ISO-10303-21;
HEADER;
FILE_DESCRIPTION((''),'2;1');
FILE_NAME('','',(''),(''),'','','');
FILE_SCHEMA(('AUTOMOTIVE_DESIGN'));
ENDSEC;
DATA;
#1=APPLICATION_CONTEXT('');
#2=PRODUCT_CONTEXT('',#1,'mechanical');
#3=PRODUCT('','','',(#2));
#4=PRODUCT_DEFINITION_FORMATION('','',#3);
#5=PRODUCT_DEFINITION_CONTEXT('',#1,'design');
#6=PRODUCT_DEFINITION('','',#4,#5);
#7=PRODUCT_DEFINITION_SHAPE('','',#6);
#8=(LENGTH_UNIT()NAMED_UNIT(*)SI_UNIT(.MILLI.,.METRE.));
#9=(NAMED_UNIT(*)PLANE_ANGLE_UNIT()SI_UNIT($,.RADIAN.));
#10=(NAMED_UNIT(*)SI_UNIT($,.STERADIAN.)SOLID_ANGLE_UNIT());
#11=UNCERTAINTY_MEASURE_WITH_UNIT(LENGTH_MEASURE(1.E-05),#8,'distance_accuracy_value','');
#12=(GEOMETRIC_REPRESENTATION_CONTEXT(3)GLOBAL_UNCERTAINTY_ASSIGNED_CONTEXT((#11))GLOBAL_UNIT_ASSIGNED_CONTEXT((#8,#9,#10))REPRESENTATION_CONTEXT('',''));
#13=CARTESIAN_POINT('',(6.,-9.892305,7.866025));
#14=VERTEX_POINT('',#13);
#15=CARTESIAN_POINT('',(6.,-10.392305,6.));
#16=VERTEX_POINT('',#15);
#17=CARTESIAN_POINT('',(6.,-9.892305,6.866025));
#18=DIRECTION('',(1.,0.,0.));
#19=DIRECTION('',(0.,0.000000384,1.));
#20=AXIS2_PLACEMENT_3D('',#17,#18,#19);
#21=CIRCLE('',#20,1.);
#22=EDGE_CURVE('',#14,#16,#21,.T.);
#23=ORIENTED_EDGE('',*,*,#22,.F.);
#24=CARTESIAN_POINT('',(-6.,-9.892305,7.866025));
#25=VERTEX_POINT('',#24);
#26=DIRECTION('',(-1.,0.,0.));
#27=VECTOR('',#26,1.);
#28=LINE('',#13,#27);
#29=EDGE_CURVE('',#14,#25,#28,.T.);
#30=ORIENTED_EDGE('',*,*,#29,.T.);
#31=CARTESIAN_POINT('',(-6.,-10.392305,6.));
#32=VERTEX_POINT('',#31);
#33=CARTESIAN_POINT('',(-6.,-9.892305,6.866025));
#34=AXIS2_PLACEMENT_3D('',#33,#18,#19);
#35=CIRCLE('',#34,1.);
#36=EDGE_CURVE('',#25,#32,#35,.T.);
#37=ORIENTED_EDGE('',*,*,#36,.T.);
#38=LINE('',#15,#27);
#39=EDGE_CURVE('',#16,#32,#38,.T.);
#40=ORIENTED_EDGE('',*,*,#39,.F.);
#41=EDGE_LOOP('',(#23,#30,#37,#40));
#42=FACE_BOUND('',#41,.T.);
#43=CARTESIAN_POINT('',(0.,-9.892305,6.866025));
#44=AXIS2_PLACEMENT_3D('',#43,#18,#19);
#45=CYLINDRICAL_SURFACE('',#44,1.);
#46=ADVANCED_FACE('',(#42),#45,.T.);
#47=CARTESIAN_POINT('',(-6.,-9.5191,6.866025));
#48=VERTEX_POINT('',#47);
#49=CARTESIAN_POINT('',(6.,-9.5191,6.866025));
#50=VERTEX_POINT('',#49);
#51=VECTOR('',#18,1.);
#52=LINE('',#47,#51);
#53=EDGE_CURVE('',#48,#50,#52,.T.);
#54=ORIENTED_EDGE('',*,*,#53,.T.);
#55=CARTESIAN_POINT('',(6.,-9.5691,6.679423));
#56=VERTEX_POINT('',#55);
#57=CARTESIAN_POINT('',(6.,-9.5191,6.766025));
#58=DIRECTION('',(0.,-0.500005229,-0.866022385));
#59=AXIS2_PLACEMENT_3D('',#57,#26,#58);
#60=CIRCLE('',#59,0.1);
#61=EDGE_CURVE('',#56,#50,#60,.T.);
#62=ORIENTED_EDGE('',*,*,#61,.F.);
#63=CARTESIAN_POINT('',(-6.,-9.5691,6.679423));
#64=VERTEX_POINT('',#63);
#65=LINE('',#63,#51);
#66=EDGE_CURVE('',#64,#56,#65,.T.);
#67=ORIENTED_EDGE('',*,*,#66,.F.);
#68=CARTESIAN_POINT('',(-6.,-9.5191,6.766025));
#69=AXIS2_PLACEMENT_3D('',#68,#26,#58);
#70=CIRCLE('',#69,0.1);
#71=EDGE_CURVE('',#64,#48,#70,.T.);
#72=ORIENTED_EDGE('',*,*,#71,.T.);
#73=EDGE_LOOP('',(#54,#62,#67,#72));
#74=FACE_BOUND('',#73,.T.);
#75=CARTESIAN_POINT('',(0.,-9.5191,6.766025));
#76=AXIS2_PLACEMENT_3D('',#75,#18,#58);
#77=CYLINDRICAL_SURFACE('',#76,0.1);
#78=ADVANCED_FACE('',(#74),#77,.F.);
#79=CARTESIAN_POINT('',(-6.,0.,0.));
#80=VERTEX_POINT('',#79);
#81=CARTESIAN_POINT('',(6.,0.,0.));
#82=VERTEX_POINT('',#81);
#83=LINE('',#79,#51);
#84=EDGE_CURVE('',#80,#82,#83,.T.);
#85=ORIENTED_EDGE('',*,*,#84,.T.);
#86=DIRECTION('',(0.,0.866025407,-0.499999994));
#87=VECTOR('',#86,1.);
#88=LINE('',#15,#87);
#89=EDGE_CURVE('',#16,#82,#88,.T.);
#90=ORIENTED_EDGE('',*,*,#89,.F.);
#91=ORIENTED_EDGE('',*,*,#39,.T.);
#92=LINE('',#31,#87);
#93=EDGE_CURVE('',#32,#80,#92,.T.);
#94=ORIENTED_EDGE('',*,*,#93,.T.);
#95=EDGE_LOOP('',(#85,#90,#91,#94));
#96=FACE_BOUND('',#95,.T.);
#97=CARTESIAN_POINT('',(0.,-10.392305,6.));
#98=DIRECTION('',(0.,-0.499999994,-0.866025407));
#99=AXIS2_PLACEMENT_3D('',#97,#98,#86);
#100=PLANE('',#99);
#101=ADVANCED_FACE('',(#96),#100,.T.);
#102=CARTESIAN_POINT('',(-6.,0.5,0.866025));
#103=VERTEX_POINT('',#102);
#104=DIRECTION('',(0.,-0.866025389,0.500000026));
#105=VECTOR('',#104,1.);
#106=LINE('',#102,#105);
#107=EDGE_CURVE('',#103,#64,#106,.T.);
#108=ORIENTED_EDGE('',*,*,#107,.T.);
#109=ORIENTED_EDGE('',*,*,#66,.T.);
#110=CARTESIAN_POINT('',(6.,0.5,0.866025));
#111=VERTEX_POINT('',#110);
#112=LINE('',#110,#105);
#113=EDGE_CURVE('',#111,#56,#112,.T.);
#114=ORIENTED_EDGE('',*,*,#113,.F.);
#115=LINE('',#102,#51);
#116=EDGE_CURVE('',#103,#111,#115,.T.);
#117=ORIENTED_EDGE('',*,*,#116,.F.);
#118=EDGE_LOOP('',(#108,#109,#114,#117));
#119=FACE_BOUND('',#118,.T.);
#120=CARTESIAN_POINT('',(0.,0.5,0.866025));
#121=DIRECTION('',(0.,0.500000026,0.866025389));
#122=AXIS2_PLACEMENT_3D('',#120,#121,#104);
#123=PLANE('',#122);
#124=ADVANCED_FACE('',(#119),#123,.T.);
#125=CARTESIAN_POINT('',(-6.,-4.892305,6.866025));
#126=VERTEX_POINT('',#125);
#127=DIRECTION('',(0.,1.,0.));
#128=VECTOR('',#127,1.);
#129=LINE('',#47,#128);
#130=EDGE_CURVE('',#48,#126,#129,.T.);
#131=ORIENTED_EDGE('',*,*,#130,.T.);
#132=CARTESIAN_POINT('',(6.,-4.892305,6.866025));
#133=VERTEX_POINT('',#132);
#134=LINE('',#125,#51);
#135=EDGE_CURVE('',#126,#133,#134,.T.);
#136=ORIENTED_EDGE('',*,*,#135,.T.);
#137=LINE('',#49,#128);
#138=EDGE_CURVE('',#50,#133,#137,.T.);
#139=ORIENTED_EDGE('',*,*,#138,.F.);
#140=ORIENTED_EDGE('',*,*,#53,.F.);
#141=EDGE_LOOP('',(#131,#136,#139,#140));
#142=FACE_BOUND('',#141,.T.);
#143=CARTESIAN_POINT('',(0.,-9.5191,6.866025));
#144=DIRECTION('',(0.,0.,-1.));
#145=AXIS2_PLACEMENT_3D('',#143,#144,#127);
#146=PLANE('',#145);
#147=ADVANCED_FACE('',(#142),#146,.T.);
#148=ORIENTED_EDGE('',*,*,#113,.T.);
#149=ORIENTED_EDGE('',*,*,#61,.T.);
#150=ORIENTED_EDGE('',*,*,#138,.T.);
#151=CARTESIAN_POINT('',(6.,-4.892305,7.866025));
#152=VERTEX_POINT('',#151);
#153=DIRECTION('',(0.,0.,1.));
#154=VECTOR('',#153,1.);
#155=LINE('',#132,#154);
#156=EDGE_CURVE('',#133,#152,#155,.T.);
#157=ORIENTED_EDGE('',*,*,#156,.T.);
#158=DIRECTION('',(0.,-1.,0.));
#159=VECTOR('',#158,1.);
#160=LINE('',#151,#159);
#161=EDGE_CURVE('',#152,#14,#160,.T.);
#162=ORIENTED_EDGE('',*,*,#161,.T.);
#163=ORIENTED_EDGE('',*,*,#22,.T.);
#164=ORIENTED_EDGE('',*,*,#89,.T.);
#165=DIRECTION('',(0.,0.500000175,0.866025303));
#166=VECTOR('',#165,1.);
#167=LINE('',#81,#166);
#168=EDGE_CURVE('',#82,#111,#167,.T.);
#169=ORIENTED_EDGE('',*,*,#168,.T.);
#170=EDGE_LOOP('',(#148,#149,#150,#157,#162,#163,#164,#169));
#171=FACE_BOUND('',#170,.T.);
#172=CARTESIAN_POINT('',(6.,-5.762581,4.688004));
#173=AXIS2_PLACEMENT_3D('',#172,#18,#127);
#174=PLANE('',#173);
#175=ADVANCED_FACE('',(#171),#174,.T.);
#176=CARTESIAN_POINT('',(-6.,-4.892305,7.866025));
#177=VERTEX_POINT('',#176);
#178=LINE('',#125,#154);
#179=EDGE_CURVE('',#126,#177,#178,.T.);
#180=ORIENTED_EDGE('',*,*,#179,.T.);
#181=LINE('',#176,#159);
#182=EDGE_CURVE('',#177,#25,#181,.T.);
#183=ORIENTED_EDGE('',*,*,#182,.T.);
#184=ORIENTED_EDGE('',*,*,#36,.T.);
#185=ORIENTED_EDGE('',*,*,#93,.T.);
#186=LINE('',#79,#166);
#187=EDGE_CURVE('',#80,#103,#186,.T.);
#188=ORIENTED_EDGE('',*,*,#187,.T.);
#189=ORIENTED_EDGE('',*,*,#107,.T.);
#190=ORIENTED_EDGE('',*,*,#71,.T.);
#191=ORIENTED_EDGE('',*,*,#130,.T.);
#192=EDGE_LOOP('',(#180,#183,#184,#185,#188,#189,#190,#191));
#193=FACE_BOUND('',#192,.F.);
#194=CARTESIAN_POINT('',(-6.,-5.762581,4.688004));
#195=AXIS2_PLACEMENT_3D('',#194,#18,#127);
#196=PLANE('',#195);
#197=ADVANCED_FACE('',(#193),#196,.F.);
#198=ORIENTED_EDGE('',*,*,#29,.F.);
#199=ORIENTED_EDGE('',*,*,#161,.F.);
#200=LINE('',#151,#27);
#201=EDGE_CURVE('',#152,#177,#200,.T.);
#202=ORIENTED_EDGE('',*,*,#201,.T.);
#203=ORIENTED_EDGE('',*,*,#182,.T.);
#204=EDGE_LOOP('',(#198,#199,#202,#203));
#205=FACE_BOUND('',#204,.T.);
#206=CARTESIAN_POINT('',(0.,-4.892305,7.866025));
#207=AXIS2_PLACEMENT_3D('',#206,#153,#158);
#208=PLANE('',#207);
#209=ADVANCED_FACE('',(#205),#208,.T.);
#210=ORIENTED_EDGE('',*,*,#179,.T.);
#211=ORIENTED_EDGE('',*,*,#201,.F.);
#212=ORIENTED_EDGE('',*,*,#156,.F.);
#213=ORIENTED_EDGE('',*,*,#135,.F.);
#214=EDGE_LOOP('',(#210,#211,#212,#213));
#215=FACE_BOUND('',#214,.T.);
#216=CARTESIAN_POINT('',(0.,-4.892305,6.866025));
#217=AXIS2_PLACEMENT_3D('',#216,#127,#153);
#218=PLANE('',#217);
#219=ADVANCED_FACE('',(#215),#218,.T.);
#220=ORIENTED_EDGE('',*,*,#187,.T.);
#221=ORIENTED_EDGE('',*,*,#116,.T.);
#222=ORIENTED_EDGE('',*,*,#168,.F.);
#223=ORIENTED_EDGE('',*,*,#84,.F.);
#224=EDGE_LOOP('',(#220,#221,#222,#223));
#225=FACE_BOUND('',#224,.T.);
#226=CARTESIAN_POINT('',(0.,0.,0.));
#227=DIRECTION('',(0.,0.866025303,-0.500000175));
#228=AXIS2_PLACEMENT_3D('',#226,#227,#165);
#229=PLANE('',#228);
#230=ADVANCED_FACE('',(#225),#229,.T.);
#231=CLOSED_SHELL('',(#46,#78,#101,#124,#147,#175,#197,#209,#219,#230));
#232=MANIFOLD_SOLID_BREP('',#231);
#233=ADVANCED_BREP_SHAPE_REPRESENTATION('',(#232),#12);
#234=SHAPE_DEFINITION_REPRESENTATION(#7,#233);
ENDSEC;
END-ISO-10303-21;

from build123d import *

# Parameters (mm, degrees)
F1_DEPTH = 6


with BuildPart() as f1:
    # F0 (on Right) → F1 (new body, symmetric)
    with BuildSketch(Plane.YZ):
        with BuildLine():
            Line((-10.392305, 6), (0, 0))
            Line((0, 0), (0.5, 0.866025))
            Line((0.5, 0.866025), (-9.5691, 6.679423))
            ThreePointArc((-9.5691, 6.679423), (-9.615692, 6.791907), (-9.5191, 6.866025))
            Line((-9.5191, 6.866025), (-4.892305, 6.866025))
            Line((-4.892305, 6.866025), (-4.892305, 7.866025))
            Line((-4.892305, 7.866025), (-9.892305, 7.866025))
            ThreePointArc((-9.892305, 7.866025), (-10.858231, 7.124844), (-10.392305, 6))
        make_face()
    extrude(amount=F1_DEPTH, both=True)


solid = f1.part
